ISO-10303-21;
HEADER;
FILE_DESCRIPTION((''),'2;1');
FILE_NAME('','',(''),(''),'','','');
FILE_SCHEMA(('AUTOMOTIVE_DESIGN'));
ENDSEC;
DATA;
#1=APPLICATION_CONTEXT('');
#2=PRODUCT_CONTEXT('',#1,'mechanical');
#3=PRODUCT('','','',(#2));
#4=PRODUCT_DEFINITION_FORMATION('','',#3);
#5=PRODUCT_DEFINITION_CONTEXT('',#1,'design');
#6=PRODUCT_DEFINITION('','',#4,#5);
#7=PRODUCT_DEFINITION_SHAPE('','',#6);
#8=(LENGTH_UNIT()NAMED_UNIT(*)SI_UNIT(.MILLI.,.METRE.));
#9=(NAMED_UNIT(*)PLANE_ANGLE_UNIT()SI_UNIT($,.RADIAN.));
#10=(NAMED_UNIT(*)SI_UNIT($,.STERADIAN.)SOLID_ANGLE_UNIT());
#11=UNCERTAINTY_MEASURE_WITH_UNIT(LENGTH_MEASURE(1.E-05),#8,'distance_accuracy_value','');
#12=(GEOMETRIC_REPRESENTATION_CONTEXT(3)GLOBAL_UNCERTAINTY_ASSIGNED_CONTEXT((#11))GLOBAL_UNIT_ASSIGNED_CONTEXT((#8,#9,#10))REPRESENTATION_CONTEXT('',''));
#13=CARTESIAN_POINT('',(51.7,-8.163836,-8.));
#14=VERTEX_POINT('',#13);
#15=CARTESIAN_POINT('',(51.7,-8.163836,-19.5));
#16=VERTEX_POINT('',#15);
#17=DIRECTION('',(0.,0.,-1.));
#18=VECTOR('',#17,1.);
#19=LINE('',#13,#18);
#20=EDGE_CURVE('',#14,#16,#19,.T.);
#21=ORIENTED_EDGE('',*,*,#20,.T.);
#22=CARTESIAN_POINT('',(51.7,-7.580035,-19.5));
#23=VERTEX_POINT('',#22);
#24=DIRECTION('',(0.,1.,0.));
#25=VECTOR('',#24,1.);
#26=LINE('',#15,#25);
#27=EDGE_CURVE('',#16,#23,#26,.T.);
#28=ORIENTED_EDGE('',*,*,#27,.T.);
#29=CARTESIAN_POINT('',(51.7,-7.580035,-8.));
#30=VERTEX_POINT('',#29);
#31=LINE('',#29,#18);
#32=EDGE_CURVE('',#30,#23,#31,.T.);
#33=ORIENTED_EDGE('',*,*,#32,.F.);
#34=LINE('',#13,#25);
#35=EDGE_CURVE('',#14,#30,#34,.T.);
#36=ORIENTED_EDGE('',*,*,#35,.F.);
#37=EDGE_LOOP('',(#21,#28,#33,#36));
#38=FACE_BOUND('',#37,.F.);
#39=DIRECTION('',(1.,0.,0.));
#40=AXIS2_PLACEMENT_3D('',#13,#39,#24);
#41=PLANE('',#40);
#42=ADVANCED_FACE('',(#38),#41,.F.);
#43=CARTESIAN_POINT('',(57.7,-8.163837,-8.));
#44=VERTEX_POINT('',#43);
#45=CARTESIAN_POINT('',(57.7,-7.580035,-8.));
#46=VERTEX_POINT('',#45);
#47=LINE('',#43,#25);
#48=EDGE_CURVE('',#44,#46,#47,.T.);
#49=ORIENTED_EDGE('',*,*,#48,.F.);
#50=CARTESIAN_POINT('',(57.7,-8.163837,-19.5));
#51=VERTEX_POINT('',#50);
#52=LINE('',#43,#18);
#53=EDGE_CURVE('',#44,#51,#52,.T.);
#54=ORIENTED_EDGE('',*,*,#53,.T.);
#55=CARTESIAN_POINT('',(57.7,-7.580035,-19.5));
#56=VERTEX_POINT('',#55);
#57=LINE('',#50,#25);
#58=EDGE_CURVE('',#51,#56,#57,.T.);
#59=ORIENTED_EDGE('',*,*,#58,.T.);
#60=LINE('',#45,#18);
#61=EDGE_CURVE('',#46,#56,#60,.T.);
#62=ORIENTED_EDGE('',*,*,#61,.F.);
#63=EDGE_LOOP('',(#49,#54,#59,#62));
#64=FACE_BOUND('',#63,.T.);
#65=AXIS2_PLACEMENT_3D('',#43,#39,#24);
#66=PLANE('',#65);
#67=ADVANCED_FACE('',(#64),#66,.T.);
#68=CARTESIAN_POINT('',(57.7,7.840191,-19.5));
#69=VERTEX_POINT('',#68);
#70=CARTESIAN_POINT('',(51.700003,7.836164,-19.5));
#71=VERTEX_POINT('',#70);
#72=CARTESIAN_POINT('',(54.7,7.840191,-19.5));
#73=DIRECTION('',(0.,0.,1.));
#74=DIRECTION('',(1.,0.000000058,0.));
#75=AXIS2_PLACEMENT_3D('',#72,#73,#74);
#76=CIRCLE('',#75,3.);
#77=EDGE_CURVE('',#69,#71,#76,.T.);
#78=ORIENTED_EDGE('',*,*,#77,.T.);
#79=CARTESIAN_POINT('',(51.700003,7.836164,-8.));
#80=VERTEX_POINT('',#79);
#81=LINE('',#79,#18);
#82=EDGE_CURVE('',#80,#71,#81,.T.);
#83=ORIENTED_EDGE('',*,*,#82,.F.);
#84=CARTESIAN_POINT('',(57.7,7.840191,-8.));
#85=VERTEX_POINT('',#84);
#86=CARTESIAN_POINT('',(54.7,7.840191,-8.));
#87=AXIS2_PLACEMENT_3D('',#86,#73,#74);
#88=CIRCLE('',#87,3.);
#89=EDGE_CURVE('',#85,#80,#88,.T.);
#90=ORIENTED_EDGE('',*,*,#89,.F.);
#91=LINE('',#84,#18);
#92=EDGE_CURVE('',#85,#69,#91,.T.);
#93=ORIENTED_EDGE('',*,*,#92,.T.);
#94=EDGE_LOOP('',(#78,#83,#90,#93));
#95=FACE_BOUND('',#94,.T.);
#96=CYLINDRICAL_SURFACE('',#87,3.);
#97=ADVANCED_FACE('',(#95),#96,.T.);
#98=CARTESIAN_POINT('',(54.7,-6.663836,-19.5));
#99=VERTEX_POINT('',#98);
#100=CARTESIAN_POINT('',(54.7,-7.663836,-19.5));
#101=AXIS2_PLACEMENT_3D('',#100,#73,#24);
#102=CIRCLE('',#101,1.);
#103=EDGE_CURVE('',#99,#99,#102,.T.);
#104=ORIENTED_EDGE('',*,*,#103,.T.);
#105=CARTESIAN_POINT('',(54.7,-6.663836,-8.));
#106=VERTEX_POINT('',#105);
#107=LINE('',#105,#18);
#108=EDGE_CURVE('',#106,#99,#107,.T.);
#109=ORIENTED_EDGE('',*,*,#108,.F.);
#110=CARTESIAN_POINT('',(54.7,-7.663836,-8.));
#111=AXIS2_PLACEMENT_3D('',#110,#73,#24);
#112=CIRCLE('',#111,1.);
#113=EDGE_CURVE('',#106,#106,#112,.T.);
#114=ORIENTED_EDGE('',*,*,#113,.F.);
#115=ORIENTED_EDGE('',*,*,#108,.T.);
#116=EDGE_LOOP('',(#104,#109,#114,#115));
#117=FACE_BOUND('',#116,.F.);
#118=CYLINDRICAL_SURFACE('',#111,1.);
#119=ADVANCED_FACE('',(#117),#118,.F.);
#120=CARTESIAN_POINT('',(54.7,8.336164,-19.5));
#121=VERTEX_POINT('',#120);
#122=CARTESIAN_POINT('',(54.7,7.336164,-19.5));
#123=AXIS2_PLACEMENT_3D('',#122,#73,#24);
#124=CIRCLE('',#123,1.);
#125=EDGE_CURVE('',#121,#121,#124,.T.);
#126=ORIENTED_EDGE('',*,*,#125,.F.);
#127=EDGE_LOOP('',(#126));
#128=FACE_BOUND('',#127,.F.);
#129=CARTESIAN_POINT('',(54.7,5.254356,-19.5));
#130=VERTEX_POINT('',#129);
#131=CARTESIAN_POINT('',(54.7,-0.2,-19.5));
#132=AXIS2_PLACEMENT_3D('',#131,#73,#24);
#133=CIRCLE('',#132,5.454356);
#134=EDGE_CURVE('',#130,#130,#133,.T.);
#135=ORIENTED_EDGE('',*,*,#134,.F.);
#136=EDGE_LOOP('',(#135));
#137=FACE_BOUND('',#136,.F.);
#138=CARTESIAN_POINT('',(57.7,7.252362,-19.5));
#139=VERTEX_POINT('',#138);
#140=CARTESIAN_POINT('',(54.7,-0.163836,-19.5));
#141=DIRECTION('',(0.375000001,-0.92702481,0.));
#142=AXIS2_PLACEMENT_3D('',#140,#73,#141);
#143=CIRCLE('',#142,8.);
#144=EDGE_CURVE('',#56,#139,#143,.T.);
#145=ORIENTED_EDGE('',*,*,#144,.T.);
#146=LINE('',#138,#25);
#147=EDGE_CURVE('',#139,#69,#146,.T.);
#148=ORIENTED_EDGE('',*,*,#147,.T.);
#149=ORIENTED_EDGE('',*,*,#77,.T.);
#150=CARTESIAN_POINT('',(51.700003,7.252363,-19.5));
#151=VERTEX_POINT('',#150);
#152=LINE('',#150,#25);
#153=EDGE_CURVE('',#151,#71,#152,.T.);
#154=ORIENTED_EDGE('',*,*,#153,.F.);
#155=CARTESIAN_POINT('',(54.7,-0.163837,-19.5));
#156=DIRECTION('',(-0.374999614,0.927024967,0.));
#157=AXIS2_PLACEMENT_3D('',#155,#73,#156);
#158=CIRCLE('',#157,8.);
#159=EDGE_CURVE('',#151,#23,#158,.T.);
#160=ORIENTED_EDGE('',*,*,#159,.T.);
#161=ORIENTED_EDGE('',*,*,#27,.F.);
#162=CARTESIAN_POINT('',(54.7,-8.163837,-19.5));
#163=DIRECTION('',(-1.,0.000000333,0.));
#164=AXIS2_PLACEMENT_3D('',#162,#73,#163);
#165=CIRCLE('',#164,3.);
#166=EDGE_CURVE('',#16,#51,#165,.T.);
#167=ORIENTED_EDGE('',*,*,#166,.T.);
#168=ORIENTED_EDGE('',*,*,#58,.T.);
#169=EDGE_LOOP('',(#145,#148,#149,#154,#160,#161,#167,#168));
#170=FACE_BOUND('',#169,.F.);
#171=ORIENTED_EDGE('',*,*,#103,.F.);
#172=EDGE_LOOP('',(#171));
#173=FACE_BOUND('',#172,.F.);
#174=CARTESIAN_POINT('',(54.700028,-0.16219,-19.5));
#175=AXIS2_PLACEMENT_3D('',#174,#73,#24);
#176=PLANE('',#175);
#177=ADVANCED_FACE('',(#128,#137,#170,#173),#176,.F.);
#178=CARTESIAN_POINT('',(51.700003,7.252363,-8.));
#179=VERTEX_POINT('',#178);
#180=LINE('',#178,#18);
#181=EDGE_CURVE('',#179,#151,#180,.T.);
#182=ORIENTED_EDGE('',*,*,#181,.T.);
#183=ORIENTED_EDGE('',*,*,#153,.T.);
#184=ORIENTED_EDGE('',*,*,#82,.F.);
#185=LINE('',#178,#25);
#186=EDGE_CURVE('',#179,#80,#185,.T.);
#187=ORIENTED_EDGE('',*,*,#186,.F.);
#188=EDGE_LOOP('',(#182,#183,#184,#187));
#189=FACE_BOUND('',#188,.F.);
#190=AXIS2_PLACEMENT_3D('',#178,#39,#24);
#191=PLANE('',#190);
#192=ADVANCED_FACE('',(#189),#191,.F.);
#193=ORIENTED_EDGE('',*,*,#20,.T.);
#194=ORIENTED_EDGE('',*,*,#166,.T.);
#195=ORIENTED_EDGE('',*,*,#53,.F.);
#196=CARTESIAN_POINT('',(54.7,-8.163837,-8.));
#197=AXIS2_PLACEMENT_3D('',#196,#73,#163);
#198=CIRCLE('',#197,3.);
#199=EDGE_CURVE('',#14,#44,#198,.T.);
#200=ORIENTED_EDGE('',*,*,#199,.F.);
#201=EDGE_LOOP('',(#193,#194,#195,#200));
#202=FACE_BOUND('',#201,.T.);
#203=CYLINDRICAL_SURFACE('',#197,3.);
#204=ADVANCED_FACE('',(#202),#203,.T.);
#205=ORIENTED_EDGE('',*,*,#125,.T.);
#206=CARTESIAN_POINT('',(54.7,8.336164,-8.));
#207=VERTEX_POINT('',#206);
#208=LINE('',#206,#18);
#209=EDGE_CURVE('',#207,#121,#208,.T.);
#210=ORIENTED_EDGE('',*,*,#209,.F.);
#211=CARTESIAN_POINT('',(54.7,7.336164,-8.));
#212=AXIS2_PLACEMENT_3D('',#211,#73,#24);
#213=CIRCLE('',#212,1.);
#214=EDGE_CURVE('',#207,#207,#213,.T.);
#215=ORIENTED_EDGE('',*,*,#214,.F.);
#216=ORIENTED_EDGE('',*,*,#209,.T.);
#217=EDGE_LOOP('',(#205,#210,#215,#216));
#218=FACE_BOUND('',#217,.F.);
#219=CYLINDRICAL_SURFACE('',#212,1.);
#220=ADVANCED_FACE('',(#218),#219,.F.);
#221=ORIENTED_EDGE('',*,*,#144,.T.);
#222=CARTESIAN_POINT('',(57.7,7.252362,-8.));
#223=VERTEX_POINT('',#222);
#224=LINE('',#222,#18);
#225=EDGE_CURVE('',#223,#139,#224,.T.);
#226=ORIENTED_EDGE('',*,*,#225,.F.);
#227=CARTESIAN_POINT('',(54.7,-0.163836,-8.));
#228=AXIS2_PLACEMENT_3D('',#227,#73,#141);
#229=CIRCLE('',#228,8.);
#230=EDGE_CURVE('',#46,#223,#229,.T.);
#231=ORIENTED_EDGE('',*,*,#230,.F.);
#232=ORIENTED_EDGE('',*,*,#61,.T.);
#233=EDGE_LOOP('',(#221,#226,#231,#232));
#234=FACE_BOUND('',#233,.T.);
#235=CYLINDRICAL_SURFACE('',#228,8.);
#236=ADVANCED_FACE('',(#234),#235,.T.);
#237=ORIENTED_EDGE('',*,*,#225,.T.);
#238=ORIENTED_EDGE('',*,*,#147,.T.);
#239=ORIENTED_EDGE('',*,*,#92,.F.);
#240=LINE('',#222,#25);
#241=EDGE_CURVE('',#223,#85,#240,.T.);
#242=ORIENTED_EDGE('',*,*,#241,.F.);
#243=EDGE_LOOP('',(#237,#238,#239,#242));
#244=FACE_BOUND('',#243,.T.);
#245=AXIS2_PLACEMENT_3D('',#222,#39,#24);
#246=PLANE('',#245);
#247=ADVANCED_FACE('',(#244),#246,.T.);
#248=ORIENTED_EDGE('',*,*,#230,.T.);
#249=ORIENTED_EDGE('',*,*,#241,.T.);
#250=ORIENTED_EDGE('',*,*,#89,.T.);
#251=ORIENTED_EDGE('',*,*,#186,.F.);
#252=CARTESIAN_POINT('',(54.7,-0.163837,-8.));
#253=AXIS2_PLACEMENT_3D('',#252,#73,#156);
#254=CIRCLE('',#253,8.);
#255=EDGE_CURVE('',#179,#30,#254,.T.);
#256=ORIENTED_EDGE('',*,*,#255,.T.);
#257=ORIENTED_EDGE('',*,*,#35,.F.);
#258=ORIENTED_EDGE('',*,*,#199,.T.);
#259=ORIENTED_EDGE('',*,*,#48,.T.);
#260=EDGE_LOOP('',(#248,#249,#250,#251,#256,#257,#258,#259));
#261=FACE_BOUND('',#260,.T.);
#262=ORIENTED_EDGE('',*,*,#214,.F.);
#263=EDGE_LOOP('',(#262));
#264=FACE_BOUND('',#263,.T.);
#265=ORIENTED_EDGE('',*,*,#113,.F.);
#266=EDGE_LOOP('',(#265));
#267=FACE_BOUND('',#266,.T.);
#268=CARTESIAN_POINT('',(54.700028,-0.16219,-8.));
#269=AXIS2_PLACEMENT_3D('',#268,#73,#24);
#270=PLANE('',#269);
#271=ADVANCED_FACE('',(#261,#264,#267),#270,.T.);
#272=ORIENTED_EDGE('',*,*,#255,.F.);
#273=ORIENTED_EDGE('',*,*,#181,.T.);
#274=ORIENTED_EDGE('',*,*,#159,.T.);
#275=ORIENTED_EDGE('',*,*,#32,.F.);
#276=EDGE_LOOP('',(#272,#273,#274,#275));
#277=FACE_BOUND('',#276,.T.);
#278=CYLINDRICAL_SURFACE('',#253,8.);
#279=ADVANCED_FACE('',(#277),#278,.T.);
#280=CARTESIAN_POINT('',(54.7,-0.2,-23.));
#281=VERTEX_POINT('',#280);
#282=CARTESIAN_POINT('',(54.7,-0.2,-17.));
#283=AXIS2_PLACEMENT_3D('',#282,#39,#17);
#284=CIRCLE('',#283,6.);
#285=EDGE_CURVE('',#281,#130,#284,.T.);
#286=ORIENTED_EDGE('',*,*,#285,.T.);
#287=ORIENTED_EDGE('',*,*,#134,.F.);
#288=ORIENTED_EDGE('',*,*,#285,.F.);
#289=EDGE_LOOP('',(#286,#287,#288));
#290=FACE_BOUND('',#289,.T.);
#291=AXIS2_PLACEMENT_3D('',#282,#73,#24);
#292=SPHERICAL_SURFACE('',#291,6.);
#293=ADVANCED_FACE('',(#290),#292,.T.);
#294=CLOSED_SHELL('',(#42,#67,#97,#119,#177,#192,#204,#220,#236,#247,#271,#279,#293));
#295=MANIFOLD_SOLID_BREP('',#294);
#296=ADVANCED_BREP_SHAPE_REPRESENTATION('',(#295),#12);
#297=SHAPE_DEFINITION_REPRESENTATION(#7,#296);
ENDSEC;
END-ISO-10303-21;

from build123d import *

# Parameters (mm, degrees)
SKETCH016_R               = 1
PAD014_DEPTH              = 11.5
FUSION006_PLACEMENT_ANGLE = 90


with BuildPart() as sphere:
    # Sphere → Sphere (revolve)
    with BuildSketch(Plane(origin=(56.3, 0, -9), x_dir=(1, 0, 0), z_dir=(0, -1, 0))):
        with BuildLine():
            ThreePointArc((0, -6), (6, 0), (0, 6))
            Line((0, 6), (0, -6))
        make_face()
    revolve(axis=Axis((56.3, 0, -9), (0, 0, 1)))


with BuildPart() as casterwheel:
    # Sketch016 → Pad014 (new body)
    with BuildSketch(Plane.XY):
        with BuildLine():
            ThreePointArc((48.919965, -3), (56.336164, -8), (63.752362, -3))
            Line((63.752362, -3), (64.340191, -3))
            ThreePointArc((64.340191, -3), (67.34019, 0.002014), (64.336164, 2.999997))
            Line((63.752363, 2.999997), (64.336164, 2.999997))
            ThreePointArc((63.752363, 2.999997), (56.336165, 8), (48.919965, 3))
            Line((48.336164, 3), (48.919965, 3))
            ThreePointArc((48.336164, 3), (45.336163, 0), (48.336163, -3))
            Line((48.336163, -3), (48.919965, -3))
        make_face()
        with Locations((48.836164, 0)):
            Circle(SKETCH016_R, mode=Mode.SUBTRACT)
        with Locations((63.836164, 0)):
            Circle(SKETCH016_R, mode=Mode.SUBTRACT)
    extrude(amount=-PAD014_DEPTH)

    # Fusion006: union Sphere
    add(sphere.part)


with BuildPart() as casterwheel_1:
    # Fusion006 placement: moved
    add(casterwheel.part.moved(Location((54.7, -56.5, -8))).rotate(Axis((54.7, -56.5, -8), (0, 0, 1)), FUSION006_PLACEMENT_ANGLE))


solid = casterwheel_1.part
